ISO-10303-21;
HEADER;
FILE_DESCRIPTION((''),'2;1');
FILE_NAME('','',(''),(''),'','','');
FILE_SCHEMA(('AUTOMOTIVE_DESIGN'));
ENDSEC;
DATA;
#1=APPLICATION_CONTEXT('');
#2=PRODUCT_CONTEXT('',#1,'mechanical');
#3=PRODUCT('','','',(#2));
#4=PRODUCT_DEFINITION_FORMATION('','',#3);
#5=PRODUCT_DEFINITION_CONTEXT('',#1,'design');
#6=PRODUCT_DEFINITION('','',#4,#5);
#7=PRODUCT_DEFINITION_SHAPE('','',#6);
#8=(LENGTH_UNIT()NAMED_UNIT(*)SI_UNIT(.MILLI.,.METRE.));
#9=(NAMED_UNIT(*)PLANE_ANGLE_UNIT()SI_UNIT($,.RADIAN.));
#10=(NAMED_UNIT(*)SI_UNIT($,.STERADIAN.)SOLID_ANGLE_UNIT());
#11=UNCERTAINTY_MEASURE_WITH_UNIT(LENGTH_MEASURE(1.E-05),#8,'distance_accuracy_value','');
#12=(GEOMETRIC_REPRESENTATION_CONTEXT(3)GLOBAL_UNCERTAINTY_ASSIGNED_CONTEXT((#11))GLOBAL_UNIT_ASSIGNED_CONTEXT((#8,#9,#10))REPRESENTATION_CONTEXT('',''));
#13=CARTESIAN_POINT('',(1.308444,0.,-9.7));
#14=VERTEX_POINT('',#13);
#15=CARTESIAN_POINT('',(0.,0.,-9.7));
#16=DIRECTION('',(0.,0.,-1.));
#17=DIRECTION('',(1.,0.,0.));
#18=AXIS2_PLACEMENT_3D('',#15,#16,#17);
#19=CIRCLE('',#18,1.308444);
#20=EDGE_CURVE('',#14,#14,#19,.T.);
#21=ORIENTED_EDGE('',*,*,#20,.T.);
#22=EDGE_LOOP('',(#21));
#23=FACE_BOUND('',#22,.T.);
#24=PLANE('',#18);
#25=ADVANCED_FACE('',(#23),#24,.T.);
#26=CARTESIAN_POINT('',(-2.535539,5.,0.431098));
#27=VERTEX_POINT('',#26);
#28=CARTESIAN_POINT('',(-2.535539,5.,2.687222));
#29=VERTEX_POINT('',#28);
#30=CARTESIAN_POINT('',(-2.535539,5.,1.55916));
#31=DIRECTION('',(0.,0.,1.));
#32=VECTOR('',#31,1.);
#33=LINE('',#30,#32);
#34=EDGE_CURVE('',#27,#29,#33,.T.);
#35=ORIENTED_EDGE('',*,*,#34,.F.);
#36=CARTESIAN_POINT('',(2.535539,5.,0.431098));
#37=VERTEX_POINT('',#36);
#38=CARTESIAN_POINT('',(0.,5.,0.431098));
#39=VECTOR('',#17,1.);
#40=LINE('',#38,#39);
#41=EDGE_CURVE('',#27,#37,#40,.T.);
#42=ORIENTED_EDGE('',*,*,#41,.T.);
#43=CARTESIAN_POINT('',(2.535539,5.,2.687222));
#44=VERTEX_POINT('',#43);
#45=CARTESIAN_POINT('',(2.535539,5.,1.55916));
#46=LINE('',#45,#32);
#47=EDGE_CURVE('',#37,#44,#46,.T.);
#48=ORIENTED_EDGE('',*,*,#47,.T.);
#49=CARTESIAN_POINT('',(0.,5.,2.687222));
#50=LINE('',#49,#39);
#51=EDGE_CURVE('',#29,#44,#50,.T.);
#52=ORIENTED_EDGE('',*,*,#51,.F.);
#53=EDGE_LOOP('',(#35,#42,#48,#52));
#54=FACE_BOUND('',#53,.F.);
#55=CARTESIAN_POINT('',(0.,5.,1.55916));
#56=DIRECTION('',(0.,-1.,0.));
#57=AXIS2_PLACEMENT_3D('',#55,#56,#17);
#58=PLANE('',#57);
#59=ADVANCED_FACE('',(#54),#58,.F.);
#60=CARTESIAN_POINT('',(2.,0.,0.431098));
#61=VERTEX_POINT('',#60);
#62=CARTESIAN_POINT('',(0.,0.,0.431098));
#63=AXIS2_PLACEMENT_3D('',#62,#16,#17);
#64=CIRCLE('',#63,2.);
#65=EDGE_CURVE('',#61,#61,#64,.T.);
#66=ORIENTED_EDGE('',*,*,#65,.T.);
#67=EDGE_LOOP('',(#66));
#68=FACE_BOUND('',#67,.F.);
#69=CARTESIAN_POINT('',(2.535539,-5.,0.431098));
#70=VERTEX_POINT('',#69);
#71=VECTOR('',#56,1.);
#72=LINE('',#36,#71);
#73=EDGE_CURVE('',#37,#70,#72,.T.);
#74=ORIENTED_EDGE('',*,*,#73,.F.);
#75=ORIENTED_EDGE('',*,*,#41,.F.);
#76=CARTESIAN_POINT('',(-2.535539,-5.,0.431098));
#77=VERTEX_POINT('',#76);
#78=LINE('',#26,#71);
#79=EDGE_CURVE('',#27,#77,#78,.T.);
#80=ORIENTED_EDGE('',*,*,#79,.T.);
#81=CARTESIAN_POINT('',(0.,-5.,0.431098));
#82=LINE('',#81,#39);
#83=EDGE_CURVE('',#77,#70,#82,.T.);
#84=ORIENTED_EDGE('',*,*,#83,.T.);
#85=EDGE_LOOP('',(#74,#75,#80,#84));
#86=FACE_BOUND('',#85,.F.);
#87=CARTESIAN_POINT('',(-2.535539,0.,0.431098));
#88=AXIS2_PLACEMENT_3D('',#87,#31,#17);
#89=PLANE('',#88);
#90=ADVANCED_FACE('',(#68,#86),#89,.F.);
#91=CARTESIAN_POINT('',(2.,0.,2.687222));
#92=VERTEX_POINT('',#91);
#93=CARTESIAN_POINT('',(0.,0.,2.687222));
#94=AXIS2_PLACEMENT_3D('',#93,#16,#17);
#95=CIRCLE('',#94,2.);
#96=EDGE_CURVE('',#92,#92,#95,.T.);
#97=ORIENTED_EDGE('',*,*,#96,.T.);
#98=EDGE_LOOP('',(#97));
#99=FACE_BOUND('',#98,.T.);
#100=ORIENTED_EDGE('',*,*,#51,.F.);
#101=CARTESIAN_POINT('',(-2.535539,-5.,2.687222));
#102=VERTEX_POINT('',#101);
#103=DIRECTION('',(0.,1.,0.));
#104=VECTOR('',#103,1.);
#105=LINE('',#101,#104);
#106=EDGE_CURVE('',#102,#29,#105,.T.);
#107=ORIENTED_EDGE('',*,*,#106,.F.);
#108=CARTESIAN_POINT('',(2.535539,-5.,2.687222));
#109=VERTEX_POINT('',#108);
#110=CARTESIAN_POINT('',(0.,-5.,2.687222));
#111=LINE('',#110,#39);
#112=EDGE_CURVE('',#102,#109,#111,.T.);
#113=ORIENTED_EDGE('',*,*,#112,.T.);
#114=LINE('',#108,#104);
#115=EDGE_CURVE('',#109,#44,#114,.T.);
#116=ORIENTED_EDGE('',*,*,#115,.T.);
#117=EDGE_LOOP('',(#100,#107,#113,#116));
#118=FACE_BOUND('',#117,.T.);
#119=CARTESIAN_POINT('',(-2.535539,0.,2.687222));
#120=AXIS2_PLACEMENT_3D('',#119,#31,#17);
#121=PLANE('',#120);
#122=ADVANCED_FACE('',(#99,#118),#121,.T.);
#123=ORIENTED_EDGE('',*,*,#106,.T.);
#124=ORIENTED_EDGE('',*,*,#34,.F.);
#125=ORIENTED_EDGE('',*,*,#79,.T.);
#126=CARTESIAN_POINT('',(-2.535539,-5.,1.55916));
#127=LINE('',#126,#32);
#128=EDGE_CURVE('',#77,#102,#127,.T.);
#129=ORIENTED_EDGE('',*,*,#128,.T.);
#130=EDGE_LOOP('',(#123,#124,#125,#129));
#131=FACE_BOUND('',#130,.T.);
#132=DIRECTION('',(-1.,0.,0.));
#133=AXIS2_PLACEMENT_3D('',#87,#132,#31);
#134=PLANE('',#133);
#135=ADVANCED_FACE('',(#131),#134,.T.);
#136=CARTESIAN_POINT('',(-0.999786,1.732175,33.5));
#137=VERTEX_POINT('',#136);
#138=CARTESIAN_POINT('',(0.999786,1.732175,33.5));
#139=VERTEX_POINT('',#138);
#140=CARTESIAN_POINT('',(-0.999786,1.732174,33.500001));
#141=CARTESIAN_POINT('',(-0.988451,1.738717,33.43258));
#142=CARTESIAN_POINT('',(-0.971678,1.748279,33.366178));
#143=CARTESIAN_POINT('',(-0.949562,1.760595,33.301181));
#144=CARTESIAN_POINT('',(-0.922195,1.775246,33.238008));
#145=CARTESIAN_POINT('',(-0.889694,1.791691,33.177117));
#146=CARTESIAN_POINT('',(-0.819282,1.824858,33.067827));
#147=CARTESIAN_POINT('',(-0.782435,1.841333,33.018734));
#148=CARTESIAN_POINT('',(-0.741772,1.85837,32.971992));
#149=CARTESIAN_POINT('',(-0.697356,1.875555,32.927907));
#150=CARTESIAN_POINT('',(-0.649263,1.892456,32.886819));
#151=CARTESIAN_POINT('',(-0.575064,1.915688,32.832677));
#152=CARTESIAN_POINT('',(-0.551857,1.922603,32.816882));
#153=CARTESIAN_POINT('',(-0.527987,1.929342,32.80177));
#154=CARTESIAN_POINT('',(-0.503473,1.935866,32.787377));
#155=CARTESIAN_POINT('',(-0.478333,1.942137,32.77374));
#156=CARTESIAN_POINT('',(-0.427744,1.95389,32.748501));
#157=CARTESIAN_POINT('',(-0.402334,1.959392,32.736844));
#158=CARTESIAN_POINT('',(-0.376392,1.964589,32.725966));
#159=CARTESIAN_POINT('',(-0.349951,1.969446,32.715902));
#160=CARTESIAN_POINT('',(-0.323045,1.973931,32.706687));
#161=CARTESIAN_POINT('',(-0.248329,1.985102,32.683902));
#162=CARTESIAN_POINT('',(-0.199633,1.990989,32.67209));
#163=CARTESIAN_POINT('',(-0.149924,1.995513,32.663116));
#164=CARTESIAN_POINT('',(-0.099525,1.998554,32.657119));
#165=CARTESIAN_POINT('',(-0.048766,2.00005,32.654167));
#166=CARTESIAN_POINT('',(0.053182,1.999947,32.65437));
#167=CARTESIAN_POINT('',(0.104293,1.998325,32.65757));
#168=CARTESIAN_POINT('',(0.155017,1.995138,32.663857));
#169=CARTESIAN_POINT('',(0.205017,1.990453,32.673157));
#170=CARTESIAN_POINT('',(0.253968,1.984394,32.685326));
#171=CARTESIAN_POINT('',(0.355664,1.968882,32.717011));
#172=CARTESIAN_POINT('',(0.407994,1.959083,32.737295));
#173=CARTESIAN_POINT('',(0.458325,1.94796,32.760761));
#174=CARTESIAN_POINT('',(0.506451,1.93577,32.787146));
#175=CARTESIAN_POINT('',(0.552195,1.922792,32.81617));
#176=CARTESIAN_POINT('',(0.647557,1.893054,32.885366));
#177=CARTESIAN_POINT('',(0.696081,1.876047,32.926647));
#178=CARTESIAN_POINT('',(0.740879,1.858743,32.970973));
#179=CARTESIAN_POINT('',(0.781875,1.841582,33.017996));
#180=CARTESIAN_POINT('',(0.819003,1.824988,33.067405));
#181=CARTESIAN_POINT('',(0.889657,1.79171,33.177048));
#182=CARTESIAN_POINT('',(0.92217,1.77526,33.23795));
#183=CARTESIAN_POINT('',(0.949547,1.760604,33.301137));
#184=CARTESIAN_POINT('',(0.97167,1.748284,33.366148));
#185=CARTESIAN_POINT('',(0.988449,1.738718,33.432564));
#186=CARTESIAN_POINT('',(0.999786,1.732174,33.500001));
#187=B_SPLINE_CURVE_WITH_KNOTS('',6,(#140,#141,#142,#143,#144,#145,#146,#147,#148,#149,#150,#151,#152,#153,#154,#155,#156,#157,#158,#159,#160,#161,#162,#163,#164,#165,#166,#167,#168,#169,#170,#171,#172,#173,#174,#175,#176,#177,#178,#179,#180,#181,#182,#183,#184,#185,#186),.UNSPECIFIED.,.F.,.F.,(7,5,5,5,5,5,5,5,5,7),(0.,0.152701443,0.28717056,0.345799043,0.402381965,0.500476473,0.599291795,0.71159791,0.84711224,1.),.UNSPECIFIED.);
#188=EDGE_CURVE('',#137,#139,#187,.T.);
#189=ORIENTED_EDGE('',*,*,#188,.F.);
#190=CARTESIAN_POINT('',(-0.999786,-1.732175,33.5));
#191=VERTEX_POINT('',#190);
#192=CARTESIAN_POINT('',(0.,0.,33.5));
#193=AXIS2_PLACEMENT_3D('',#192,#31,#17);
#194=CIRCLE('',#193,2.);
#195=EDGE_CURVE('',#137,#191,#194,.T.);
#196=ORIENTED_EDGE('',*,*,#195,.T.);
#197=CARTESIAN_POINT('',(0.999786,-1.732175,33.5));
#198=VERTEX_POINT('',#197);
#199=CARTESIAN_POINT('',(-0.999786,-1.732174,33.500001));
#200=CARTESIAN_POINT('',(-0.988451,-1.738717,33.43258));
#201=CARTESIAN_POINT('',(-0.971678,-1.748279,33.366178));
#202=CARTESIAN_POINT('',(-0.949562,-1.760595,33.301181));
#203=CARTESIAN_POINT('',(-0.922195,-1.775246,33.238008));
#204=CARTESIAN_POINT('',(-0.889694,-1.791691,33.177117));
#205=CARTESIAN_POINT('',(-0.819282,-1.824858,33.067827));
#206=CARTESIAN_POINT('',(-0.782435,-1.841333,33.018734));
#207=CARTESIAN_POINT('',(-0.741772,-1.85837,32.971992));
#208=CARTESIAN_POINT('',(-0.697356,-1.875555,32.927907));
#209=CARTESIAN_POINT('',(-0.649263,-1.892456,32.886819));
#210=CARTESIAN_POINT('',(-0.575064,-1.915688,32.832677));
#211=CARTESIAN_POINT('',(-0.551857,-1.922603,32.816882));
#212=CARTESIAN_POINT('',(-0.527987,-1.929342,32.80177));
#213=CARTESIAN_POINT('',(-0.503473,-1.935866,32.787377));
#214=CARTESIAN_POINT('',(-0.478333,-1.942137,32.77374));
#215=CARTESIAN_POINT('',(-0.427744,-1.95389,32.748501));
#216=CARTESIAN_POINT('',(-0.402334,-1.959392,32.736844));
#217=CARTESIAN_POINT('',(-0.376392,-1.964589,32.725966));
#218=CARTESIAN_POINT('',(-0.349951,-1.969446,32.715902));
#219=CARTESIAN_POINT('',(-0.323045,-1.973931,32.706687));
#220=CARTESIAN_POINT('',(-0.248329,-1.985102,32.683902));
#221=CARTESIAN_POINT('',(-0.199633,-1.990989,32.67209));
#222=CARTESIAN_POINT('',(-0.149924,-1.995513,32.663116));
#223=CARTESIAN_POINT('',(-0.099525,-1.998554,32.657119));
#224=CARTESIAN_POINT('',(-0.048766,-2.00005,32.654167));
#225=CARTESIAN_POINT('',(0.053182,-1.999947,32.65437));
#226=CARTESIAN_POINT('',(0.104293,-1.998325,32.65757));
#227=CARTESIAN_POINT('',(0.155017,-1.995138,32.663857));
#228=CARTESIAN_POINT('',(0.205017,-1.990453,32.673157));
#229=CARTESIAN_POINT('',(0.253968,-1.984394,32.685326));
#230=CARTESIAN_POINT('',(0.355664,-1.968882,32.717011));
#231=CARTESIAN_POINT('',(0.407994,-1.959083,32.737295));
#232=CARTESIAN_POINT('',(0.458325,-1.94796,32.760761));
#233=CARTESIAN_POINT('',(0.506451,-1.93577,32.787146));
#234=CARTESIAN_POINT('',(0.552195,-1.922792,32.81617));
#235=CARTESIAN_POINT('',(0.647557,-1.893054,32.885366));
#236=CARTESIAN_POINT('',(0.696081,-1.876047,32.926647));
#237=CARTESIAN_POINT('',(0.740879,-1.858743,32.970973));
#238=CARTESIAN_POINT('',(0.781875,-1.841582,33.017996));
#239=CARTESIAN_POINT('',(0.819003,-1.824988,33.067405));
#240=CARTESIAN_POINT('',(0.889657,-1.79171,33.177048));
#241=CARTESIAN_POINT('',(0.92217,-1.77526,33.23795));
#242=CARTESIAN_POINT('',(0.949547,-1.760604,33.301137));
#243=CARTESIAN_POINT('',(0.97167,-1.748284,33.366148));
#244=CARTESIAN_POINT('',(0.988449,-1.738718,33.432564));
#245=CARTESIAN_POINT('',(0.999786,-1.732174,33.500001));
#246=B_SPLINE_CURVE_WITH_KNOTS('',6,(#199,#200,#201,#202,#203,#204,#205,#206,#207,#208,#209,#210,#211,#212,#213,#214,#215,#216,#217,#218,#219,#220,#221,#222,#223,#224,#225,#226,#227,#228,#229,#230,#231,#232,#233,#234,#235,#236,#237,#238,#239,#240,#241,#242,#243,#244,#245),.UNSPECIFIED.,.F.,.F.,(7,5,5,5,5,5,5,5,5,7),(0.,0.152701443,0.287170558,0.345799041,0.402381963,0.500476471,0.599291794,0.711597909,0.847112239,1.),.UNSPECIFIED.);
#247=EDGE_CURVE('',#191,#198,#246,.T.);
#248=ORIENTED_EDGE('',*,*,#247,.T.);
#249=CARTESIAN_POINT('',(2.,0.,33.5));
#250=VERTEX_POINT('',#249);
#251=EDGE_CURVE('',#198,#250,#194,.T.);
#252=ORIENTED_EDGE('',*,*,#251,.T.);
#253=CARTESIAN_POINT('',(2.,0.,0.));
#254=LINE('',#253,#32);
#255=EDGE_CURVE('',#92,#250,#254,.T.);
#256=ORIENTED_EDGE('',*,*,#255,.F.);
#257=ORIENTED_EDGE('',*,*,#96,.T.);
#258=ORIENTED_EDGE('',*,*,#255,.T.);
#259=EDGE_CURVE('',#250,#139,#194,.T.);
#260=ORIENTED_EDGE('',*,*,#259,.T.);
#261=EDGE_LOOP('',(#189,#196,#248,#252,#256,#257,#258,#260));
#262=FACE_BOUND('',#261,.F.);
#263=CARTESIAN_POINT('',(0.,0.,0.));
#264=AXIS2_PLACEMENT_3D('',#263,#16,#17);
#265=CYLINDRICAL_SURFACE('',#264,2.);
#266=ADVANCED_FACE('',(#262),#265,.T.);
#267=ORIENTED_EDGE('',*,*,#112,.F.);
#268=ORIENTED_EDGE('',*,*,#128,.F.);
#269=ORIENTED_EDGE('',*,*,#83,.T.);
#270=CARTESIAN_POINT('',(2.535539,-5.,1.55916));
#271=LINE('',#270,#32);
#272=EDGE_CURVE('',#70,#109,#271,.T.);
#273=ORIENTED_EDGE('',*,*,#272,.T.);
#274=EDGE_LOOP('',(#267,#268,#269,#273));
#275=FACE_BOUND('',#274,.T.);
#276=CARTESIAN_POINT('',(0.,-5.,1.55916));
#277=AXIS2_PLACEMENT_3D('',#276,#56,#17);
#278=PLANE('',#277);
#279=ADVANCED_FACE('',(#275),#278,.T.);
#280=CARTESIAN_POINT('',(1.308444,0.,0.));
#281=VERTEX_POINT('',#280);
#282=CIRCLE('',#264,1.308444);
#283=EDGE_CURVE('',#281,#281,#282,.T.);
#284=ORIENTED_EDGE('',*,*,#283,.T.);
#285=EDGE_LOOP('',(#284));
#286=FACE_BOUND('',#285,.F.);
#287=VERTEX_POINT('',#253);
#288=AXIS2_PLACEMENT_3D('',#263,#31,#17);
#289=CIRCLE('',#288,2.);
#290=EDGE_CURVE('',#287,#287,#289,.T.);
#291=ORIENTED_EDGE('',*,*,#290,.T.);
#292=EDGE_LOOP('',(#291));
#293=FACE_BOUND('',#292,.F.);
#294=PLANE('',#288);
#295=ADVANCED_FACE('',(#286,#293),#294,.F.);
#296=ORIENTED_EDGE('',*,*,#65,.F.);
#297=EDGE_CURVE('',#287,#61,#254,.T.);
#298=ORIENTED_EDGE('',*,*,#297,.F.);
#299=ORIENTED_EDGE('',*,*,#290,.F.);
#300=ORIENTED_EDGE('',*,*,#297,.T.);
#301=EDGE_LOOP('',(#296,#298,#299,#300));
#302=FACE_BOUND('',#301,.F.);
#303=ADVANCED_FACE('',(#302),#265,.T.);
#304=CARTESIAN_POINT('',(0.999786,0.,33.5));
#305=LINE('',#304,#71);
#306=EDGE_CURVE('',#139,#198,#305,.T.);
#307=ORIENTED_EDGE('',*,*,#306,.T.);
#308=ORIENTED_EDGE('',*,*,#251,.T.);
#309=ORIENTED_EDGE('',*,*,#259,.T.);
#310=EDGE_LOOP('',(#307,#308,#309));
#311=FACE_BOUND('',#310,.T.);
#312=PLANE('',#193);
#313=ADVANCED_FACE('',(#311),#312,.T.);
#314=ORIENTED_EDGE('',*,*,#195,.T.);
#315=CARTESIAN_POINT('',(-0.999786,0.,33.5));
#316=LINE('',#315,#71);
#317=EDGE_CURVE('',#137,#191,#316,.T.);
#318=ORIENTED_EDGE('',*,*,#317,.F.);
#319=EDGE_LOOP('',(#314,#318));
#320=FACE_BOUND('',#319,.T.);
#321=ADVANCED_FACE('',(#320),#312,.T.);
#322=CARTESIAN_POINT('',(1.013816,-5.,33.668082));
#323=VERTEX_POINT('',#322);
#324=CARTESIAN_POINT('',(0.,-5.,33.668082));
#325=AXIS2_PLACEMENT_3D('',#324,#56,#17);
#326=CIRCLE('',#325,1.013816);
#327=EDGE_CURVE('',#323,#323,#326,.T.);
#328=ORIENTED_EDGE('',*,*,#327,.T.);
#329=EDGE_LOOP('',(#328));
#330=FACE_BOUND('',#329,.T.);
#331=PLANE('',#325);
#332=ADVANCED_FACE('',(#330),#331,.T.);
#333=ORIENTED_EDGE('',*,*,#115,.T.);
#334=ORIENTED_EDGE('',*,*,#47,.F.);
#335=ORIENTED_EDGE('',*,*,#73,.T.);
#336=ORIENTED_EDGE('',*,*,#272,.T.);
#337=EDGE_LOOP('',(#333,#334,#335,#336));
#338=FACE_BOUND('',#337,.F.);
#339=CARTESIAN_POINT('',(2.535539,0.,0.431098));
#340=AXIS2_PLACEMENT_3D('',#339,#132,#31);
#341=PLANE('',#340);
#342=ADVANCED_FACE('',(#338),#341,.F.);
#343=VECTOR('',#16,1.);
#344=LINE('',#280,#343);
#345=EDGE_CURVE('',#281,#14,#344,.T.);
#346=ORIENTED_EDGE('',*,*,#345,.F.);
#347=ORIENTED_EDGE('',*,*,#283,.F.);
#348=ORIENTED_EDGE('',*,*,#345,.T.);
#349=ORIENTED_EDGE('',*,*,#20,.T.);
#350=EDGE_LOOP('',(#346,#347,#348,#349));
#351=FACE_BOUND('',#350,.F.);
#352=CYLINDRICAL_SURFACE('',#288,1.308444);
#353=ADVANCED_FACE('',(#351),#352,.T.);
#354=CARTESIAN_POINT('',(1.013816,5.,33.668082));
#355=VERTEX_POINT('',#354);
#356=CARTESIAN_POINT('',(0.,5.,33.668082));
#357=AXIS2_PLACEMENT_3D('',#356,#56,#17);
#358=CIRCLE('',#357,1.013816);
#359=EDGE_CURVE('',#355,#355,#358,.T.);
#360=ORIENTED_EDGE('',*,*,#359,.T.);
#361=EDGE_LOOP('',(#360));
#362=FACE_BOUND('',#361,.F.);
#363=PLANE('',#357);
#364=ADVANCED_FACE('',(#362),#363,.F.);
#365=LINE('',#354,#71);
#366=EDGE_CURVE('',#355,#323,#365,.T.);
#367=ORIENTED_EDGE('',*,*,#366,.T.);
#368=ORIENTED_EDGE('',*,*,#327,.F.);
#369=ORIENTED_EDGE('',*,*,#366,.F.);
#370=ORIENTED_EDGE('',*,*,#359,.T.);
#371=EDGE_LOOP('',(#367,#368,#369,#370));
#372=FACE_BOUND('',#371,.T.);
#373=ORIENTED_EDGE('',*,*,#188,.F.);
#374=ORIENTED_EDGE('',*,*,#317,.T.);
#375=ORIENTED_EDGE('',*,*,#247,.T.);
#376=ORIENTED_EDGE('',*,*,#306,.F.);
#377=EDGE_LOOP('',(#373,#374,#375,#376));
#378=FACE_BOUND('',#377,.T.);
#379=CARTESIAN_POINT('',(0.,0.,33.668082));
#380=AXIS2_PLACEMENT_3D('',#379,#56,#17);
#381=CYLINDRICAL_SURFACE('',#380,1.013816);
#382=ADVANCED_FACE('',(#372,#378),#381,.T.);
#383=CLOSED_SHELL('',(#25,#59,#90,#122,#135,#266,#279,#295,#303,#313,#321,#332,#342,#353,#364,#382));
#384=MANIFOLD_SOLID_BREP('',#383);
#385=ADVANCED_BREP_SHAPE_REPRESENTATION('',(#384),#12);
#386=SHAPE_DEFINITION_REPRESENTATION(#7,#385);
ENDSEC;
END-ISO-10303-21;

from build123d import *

# Parameters (mm, degrees)
F0_R     = 2
F1_DEPTH = 33.5
F2_R     = 1.308444
F3_DEPTH = 9.7
F4_W     = 5.071078
F4_H     = 2.256125
F4_R     = 1.013816
F5_DEPTH = 5


with BuildPart() as f1:
    # F0 (on Top) → F1 (new body)
    with BuildSketch(Plane.XY):
        Circle(F0_R)
    extrude(amount=F1_DEPTH)

    # F2 (on face) → F3 (join)
    with BuildSketch(Plane(origin=(0, 0, 0), x_dir=(1, 0, 0), z_dir=(0, 0, -1))):
        Circle(F2_R)
    extrude(amount=F3_DEPTH)

    # F4 (on Front) → F5 (join, symmetric)
    with BuildSketch(Plane.XZ):
        with Locations((0, 1.55916)):
            Rectangle(F4_W, F4_H)
        with Locations((0, 33.668082)):
            Circle(F4_R)
    extrude(amount=F5_DEPTH, both=True)


solid = f1.part
